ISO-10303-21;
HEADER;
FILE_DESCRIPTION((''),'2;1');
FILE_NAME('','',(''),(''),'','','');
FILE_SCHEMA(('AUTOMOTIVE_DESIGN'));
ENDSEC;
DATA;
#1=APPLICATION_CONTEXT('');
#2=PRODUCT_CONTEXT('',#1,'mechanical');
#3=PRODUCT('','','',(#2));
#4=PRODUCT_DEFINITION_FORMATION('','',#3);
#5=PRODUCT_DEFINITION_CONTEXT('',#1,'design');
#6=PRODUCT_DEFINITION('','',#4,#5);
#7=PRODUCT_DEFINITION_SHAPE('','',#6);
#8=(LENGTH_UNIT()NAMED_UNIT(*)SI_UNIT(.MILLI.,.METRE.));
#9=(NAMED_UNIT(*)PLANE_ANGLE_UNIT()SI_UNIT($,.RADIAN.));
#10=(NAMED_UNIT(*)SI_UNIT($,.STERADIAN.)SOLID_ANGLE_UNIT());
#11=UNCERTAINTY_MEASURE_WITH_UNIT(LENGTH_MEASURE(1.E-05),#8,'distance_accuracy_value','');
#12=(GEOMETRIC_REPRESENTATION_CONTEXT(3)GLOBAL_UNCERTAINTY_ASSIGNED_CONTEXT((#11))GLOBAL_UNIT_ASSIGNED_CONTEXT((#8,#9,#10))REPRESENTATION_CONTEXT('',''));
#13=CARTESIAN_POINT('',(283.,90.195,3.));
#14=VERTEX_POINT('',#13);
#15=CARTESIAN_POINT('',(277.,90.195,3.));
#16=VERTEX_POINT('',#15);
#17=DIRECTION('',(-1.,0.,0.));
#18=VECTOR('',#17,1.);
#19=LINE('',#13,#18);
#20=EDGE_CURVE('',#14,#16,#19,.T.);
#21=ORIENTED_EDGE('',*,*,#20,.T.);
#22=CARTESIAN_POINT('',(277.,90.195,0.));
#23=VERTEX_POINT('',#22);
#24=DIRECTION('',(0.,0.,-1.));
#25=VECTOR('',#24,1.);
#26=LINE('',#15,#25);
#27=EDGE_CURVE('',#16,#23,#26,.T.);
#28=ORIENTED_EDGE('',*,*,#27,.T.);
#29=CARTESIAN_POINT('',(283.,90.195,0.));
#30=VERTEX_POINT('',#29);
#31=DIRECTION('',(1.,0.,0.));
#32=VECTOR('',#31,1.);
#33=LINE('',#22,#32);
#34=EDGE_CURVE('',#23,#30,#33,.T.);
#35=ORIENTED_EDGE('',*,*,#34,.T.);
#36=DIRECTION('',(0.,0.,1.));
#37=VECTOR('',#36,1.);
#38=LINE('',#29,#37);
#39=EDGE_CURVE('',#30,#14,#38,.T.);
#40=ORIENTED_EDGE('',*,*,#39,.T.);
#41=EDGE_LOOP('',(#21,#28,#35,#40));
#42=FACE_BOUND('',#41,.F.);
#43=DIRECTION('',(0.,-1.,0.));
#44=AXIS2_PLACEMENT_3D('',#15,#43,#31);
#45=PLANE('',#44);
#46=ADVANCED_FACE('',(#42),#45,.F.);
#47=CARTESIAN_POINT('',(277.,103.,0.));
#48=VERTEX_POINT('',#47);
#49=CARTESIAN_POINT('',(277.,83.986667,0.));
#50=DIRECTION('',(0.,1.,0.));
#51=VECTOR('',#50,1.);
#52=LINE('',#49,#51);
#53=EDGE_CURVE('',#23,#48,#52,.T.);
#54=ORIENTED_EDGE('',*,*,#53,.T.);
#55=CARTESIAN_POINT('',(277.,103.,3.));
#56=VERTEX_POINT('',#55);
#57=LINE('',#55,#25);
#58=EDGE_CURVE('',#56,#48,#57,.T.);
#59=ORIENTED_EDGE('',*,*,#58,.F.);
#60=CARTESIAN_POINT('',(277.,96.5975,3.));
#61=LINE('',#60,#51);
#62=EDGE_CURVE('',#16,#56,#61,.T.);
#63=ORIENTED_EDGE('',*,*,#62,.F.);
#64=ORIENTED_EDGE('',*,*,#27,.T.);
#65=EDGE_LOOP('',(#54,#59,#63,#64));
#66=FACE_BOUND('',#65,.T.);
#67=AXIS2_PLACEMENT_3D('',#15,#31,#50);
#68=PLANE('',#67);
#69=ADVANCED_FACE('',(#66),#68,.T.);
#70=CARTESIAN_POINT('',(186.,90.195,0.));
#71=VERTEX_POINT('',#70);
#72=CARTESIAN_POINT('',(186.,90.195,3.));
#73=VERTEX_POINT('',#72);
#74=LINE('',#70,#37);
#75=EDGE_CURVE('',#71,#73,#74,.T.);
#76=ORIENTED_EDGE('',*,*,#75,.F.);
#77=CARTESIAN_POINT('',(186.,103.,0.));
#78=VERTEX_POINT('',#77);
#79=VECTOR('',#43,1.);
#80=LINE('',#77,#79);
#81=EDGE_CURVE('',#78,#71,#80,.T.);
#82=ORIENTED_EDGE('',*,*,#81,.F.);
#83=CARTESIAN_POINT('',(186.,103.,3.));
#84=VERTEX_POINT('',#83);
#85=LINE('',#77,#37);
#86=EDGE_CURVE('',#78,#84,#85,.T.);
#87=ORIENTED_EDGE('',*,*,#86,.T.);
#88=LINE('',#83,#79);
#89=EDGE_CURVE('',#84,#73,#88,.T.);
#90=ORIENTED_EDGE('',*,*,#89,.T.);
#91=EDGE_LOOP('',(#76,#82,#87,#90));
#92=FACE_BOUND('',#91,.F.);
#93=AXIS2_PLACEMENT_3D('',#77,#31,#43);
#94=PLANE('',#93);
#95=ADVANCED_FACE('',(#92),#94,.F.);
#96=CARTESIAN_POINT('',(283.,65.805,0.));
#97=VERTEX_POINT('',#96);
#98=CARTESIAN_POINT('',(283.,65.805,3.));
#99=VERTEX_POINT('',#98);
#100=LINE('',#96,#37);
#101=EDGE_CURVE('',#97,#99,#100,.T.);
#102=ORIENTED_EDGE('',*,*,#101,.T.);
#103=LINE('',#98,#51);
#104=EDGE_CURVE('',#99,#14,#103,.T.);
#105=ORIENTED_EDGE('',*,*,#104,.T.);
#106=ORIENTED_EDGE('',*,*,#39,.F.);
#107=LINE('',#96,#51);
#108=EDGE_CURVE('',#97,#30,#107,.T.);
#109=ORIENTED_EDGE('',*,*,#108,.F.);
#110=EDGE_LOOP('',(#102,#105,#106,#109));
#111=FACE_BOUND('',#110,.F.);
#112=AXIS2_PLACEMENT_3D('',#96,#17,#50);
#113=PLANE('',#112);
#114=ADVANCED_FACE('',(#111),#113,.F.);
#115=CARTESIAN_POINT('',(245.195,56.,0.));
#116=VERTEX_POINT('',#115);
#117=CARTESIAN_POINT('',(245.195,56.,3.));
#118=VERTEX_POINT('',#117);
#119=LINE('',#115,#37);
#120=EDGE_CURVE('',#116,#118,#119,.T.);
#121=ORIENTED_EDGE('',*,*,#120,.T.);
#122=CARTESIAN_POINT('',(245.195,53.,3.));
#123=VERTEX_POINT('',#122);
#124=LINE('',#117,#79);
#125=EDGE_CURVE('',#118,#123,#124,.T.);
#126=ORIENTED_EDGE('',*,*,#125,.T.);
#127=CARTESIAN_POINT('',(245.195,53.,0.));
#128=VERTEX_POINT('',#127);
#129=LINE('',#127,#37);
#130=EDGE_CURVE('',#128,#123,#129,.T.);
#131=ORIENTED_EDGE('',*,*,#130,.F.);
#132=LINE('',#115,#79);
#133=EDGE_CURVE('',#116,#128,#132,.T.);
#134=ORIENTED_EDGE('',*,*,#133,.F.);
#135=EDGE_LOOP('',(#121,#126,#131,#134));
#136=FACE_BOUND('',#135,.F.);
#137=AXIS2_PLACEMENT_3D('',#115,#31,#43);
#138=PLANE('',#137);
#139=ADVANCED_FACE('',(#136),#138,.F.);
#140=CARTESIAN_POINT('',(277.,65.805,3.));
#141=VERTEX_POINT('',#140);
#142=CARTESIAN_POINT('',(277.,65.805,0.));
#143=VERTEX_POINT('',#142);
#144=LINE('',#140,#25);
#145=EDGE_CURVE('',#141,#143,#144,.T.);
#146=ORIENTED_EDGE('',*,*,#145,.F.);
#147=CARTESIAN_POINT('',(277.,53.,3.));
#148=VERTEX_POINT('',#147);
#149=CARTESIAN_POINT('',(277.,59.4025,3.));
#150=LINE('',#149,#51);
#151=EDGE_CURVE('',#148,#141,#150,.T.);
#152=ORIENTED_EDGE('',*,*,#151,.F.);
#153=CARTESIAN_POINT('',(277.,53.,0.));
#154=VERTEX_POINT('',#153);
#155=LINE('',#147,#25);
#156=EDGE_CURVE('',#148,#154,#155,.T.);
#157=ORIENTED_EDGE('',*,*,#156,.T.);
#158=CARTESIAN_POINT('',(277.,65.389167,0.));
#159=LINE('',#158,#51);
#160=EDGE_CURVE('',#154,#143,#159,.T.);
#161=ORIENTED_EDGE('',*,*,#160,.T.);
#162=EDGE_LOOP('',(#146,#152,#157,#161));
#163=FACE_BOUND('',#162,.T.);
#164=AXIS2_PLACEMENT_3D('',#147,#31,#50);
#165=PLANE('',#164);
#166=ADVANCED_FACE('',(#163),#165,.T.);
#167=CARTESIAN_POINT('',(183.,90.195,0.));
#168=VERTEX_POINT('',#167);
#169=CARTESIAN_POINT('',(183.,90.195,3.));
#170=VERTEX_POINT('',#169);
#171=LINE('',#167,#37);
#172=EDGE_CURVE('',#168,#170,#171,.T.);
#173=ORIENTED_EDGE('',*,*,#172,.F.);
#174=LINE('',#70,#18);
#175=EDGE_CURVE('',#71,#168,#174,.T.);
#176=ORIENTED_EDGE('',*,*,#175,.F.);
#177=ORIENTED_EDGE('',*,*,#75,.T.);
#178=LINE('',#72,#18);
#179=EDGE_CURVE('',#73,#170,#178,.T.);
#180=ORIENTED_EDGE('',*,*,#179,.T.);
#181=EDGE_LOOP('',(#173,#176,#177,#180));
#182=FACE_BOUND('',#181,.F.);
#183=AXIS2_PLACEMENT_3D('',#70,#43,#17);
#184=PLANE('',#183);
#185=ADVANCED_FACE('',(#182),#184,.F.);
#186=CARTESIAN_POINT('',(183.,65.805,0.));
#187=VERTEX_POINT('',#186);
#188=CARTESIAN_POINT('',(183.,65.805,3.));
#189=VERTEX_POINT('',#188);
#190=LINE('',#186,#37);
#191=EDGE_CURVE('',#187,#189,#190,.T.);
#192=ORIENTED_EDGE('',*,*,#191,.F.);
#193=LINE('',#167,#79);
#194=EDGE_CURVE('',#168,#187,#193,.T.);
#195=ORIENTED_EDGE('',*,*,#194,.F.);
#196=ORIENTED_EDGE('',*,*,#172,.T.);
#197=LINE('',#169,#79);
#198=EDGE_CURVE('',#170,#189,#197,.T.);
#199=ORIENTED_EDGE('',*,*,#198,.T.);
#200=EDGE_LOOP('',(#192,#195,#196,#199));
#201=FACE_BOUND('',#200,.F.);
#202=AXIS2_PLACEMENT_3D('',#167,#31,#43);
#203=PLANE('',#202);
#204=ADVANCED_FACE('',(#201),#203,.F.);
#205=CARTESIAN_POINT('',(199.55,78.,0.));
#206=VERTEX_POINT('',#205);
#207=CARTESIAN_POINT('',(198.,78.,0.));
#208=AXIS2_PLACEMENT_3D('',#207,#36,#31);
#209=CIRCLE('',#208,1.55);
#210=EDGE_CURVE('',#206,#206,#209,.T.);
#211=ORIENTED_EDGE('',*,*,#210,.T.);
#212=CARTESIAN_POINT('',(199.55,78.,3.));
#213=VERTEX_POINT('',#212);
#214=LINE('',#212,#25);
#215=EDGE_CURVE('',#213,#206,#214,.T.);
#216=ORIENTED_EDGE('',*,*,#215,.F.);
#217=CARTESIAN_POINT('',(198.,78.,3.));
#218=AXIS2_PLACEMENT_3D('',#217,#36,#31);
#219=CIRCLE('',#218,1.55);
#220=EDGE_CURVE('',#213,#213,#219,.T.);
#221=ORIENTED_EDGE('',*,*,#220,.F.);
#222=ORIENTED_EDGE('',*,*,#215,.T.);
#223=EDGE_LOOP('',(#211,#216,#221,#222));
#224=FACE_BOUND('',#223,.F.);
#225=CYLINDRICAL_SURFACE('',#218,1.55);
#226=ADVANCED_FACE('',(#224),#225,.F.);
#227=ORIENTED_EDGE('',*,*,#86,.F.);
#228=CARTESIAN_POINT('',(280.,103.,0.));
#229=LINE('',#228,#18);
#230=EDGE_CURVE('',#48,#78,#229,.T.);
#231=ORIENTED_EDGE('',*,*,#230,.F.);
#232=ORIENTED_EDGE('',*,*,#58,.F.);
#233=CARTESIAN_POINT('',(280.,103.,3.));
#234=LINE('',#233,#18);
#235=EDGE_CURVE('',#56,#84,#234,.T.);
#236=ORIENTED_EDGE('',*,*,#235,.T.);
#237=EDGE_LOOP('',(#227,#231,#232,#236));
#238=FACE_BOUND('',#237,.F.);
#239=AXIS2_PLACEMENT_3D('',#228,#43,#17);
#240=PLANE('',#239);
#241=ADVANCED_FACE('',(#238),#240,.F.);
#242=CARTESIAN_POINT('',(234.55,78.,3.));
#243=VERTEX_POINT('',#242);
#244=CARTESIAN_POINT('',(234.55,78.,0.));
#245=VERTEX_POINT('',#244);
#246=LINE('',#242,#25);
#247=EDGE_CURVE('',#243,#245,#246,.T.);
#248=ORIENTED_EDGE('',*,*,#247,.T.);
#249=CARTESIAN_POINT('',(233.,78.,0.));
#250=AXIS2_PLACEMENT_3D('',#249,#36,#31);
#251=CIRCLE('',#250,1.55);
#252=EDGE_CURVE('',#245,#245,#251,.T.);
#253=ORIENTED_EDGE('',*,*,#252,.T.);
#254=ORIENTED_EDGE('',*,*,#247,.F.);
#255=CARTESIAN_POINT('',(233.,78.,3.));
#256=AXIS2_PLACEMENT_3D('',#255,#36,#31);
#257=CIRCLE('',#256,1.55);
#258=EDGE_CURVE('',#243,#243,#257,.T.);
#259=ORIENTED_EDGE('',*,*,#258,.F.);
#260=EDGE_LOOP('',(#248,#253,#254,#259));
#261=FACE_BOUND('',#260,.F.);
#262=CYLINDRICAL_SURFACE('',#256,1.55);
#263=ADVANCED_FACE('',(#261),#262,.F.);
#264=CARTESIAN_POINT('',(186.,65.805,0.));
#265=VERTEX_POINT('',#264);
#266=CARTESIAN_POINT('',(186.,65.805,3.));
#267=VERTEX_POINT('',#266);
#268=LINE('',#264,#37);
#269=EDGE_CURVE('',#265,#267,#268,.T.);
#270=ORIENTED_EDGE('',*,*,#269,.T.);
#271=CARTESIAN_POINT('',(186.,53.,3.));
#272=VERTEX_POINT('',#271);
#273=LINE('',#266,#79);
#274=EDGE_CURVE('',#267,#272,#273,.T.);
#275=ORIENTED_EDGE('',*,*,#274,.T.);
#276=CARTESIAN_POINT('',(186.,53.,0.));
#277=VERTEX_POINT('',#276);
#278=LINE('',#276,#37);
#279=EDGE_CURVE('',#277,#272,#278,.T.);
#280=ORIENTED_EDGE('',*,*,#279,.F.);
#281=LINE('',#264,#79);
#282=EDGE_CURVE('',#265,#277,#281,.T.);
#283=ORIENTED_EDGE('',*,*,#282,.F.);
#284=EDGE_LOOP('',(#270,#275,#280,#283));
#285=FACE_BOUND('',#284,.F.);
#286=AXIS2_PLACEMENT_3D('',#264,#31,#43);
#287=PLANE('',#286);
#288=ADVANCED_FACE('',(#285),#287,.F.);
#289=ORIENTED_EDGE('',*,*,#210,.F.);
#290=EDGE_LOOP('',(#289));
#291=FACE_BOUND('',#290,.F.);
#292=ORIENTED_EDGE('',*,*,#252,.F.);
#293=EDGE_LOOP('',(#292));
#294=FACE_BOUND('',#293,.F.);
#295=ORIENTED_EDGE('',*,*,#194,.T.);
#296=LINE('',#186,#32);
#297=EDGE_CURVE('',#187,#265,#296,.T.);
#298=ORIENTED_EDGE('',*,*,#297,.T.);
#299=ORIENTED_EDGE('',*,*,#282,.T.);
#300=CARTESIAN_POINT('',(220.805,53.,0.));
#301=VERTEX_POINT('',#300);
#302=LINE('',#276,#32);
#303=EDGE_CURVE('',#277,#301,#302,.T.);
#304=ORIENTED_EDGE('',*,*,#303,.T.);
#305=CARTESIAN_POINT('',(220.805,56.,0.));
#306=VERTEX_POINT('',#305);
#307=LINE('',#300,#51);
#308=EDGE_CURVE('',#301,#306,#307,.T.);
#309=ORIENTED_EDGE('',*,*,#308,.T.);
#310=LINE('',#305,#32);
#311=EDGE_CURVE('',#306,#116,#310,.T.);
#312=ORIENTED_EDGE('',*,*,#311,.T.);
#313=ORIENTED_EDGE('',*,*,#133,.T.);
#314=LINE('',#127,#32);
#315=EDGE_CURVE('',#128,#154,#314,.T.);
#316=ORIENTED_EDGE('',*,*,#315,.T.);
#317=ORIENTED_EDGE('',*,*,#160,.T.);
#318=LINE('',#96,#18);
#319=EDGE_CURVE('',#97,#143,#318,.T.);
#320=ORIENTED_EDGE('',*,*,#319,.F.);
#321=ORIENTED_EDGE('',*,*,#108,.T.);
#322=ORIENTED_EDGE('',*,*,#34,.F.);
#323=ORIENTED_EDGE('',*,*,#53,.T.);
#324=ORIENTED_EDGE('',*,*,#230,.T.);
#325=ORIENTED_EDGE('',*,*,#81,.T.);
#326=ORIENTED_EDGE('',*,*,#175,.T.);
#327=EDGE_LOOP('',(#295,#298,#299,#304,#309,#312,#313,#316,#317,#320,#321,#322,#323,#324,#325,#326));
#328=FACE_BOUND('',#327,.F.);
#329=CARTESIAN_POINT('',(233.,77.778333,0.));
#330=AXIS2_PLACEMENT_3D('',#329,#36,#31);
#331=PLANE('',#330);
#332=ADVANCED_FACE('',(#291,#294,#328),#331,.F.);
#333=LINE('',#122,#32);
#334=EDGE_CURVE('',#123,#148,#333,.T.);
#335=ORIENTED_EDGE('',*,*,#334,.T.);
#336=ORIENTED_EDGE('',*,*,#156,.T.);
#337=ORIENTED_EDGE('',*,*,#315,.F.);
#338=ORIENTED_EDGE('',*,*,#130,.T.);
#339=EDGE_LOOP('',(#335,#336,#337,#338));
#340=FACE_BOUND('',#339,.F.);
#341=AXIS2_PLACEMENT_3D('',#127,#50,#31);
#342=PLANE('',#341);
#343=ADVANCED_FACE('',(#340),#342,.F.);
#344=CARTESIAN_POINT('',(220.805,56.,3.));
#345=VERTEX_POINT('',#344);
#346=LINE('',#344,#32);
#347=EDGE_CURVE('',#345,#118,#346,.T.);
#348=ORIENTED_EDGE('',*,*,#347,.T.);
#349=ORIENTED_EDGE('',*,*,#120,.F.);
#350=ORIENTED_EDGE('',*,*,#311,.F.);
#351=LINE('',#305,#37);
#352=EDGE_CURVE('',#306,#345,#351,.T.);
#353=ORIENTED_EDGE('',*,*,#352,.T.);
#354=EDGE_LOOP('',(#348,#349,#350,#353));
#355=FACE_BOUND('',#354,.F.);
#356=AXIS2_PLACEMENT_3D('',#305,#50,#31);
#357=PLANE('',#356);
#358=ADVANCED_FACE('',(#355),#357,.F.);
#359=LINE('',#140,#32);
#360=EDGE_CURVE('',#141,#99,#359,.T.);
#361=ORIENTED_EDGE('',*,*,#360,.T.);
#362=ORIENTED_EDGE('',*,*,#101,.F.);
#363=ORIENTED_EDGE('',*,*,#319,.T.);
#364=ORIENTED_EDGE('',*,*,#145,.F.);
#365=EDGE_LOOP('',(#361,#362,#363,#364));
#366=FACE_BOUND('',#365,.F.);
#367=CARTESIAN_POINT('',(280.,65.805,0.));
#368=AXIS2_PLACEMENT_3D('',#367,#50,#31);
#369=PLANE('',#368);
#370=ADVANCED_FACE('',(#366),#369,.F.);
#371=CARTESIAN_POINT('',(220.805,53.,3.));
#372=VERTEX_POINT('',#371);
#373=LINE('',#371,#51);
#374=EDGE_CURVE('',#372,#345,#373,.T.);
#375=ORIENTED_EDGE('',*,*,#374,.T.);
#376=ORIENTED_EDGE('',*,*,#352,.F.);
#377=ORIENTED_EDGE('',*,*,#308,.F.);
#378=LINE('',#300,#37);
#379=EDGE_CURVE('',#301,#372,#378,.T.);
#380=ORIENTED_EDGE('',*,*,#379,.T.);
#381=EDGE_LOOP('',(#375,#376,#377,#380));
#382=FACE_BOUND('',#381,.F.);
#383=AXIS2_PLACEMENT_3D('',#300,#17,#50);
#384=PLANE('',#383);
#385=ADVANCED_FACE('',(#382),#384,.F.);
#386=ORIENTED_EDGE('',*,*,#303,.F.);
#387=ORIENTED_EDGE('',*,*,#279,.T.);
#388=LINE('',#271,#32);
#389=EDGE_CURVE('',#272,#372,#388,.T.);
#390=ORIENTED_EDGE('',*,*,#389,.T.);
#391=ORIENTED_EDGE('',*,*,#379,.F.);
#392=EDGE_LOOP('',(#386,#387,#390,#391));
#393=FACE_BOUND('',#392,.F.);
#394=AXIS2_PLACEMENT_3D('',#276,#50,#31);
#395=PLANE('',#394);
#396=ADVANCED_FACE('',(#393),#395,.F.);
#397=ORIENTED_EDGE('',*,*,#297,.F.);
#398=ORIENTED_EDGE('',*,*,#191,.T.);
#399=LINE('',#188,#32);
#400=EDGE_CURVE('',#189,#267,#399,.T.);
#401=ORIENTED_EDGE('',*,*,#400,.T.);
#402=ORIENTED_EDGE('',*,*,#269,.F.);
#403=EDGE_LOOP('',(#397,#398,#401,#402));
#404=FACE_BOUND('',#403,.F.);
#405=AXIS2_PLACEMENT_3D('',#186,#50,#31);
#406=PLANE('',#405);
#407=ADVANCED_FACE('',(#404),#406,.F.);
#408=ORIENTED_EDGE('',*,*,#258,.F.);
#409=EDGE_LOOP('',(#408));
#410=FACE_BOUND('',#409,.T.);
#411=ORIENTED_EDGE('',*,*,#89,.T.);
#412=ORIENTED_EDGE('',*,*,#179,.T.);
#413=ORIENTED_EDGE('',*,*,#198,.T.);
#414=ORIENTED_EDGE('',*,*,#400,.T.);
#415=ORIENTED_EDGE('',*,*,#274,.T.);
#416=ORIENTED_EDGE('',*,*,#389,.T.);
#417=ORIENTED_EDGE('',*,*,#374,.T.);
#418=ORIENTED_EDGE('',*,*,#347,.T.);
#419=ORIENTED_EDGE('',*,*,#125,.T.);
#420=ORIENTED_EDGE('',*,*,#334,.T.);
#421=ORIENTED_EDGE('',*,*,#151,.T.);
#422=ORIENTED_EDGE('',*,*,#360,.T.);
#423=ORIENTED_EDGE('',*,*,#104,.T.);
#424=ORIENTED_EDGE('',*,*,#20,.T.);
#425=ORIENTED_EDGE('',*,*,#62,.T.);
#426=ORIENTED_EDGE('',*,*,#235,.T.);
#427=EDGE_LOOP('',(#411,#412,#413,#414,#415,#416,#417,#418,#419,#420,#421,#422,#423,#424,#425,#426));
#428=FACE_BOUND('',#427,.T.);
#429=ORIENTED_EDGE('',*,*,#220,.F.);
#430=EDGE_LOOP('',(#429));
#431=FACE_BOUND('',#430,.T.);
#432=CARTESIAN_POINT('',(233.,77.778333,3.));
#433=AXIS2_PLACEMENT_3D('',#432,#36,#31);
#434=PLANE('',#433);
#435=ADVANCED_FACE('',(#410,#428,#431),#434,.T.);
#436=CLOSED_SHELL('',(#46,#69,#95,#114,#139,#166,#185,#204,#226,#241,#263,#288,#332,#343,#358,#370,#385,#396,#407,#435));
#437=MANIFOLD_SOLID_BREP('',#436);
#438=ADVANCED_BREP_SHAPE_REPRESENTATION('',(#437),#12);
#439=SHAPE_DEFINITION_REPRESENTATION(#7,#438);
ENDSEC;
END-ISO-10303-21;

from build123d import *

# Parameters (mm, degrees)
SALIENTE_EXTRUIR1_DEPTH = 3
CROQUIS2_R              = 1.55
CORTAR_EXTRUIR1_DEPTH   = 3
CROQUIS4_W              = 3
CROQUIS4_H              = 12.805
CORTAR_EXTRUIR2_DEPTH   = 10


with BuildPart() as part:
    # Model → Saliente-Extruir1 (new body)
    with BuildSketch(Plane.XY):
        Polygon((186, 103), (186, 90.195), (183, 90.195), (183, 65.805), (186, 65.805), (186, 53), (220.805, 53), (220.805, 56), (245.195, 56), (245.195, 53), (269.585, 53), (280, 53), (280, 65.805), (283, 65.805), (283, 90.195), (280, 90.195), (280, 103), align=None)
    extrude(amount=SALIENTE_EXTRUIR1_DEPTH)

    # Croquis2 → Cortar-Extruir1 (cut)
    with BuildSketch(Plane.XY.offset(3)):
        with Locations((233, 78)):
            Circle(CROQUIS2_R)
        with Locations((198, 78)):
            Circle(CROQUIS2_R)
    extrude(amount=-CORTAR_EXTRUIR1_DEPTH, mode=Mode.SUBTRACT)

    # Croquis4 → Cortar-Extruir2 (cut)
    with BuildSketch(Plane.XY.offset(3)):
        with Locations((278.5, 96.5975)):
            Rectangle(CROQUIS4_W, CROQUIS4_H)
        with Locations((278.5, 59.4025)):
            Rectangle(CROQUIS4_W, CROQUIS4_H)
    extrude(amount=-CORTAR_EXTRUIR2_DEPTH, mode=Mode.SUBTRACT)


solid = part.part
